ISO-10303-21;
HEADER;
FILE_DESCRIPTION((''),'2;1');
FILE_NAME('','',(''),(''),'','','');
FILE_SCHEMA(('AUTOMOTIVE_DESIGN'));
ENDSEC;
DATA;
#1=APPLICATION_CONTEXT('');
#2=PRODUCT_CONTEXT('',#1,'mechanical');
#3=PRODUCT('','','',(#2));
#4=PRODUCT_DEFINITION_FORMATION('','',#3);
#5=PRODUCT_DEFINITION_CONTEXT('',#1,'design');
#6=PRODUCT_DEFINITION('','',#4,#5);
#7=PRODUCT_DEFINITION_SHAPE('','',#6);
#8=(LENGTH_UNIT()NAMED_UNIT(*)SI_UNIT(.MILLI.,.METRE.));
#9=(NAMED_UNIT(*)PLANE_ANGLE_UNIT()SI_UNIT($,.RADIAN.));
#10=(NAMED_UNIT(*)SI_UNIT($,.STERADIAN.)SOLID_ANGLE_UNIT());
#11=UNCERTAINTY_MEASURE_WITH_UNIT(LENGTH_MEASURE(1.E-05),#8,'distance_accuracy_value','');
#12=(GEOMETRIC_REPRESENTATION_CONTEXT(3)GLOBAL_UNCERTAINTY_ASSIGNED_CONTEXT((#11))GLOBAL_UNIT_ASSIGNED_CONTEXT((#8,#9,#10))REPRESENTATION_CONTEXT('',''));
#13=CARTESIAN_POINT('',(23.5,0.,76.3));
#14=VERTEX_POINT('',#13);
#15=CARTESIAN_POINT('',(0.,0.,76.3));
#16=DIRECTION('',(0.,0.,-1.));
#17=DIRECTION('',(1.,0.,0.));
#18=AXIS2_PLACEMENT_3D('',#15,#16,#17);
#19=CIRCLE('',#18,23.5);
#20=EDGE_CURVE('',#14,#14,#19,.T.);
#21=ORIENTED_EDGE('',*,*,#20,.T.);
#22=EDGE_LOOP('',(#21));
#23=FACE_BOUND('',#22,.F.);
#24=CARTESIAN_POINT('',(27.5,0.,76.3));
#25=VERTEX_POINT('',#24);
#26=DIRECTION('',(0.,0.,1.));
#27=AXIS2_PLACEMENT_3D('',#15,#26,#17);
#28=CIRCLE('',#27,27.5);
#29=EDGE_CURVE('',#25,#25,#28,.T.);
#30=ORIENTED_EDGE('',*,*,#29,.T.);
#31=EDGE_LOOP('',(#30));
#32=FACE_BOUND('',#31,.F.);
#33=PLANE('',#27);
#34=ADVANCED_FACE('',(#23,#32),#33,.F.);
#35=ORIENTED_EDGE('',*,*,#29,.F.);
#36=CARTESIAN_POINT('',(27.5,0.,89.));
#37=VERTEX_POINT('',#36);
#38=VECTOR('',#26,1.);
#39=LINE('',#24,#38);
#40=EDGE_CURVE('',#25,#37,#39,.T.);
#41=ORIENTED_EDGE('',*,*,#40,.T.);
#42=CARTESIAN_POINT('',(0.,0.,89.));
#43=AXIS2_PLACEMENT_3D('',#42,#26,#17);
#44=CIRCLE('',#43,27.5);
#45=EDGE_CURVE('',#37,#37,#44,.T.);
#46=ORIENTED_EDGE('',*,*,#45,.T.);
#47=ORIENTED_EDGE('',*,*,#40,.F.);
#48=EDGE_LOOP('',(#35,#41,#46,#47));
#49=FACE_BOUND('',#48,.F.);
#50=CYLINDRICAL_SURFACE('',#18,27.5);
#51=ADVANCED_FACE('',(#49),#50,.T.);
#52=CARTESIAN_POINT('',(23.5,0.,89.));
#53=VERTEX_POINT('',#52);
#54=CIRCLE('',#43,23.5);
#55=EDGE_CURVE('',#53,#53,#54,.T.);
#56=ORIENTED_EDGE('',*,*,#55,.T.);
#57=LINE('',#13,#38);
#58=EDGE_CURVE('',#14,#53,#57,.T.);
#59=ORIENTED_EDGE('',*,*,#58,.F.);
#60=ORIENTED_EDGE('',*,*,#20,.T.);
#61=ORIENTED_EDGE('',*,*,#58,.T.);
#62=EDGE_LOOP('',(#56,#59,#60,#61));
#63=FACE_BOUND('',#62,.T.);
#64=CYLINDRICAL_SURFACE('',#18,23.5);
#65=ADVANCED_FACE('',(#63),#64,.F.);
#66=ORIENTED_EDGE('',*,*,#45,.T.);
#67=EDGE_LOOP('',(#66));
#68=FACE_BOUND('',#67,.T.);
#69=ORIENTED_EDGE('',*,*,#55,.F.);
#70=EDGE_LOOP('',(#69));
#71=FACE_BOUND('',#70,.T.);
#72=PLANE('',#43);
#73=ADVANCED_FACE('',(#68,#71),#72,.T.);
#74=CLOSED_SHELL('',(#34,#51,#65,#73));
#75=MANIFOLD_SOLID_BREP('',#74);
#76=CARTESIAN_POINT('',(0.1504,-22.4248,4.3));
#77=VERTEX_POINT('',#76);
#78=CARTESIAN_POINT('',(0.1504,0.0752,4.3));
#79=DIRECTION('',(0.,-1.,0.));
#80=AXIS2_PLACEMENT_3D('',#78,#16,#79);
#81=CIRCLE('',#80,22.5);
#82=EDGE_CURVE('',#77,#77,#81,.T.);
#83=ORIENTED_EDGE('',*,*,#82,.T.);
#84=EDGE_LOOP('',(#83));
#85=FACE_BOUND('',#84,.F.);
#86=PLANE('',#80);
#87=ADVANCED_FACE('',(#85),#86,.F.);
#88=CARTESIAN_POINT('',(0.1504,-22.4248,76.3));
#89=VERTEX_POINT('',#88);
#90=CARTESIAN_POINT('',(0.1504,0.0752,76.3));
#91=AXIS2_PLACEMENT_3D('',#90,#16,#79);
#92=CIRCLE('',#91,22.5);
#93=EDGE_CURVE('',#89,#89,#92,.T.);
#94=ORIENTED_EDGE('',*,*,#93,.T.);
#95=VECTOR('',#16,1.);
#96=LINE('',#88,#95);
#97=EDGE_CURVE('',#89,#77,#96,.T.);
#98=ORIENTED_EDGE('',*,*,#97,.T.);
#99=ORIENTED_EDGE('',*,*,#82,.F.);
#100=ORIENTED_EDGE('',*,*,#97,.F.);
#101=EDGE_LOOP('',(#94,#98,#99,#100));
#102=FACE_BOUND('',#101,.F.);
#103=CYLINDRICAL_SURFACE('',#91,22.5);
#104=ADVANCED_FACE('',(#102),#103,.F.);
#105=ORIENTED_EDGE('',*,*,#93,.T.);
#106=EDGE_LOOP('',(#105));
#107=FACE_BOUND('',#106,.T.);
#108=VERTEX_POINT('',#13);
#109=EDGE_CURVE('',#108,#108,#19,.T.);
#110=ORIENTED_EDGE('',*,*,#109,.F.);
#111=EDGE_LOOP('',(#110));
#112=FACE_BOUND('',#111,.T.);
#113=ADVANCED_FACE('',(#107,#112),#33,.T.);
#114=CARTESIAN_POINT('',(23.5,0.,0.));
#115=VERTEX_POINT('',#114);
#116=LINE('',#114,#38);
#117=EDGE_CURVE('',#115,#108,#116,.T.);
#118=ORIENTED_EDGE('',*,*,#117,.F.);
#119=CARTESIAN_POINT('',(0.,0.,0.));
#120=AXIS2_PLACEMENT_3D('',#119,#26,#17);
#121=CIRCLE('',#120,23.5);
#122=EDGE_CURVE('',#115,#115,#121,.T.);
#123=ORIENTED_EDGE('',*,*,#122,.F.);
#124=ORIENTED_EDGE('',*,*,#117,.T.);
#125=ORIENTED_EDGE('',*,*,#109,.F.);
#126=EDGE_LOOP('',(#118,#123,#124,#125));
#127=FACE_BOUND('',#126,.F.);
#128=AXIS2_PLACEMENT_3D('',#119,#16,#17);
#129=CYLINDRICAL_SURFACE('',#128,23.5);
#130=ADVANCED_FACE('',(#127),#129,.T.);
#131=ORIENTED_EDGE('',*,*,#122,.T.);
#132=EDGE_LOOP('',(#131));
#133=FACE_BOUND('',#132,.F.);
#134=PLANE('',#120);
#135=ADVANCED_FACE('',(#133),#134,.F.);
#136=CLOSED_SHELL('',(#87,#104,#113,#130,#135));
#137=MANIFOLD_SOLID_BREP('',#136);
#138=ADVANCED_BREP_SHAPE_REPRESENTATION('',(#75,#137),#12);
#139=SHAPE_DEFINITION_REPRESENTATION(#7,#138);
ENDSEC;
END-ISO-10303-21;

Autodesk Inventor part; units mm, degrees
ref_plane "YZ Plane" through (0, 0, 0) normal (1, 0, 0) x (0, 1, 0)
ref_plane "XZ Plane" through (0, 0, 0) normal (0, 1, 0) x (-1, 0, 0)
ref_plane "XY Plane" through (0, 0, 0) normal (0, 0, 1) x (1, 0, 0)
sketch "Sketch1" plane through (0, 0, 0) normal (0, 0, 1) x (1, 0, 0)
  line L0 (-32.9, 0) -> (32.9, 0) projected
  line L1 (0, -32.9) -> (0, 32.9) projected
  circle A0 centre (0, 0) radius 23.5
  dimension "d0" = 47
extrude "Extrusion1" add sketch "Sketch1" along normal blind 76.3
sketch "Sketch2" plane through (0, 0, 76.3) normal (0, 0, 1) x (1, 0, 0)
  circle A0 centre (0, 0) radius 23.5 projected
  circle A1 centre (0, 0) radius 27.5
  dimension "d3" = 55
extrude "Extrusion2" add sketch "Sketch2" along normal blind 12.7
hole "Hole1" at (0.1504, 0.0752, 76.3) direction (0, 0, -1) diameter 45 depth 72
properties part number "Outter Cup"
